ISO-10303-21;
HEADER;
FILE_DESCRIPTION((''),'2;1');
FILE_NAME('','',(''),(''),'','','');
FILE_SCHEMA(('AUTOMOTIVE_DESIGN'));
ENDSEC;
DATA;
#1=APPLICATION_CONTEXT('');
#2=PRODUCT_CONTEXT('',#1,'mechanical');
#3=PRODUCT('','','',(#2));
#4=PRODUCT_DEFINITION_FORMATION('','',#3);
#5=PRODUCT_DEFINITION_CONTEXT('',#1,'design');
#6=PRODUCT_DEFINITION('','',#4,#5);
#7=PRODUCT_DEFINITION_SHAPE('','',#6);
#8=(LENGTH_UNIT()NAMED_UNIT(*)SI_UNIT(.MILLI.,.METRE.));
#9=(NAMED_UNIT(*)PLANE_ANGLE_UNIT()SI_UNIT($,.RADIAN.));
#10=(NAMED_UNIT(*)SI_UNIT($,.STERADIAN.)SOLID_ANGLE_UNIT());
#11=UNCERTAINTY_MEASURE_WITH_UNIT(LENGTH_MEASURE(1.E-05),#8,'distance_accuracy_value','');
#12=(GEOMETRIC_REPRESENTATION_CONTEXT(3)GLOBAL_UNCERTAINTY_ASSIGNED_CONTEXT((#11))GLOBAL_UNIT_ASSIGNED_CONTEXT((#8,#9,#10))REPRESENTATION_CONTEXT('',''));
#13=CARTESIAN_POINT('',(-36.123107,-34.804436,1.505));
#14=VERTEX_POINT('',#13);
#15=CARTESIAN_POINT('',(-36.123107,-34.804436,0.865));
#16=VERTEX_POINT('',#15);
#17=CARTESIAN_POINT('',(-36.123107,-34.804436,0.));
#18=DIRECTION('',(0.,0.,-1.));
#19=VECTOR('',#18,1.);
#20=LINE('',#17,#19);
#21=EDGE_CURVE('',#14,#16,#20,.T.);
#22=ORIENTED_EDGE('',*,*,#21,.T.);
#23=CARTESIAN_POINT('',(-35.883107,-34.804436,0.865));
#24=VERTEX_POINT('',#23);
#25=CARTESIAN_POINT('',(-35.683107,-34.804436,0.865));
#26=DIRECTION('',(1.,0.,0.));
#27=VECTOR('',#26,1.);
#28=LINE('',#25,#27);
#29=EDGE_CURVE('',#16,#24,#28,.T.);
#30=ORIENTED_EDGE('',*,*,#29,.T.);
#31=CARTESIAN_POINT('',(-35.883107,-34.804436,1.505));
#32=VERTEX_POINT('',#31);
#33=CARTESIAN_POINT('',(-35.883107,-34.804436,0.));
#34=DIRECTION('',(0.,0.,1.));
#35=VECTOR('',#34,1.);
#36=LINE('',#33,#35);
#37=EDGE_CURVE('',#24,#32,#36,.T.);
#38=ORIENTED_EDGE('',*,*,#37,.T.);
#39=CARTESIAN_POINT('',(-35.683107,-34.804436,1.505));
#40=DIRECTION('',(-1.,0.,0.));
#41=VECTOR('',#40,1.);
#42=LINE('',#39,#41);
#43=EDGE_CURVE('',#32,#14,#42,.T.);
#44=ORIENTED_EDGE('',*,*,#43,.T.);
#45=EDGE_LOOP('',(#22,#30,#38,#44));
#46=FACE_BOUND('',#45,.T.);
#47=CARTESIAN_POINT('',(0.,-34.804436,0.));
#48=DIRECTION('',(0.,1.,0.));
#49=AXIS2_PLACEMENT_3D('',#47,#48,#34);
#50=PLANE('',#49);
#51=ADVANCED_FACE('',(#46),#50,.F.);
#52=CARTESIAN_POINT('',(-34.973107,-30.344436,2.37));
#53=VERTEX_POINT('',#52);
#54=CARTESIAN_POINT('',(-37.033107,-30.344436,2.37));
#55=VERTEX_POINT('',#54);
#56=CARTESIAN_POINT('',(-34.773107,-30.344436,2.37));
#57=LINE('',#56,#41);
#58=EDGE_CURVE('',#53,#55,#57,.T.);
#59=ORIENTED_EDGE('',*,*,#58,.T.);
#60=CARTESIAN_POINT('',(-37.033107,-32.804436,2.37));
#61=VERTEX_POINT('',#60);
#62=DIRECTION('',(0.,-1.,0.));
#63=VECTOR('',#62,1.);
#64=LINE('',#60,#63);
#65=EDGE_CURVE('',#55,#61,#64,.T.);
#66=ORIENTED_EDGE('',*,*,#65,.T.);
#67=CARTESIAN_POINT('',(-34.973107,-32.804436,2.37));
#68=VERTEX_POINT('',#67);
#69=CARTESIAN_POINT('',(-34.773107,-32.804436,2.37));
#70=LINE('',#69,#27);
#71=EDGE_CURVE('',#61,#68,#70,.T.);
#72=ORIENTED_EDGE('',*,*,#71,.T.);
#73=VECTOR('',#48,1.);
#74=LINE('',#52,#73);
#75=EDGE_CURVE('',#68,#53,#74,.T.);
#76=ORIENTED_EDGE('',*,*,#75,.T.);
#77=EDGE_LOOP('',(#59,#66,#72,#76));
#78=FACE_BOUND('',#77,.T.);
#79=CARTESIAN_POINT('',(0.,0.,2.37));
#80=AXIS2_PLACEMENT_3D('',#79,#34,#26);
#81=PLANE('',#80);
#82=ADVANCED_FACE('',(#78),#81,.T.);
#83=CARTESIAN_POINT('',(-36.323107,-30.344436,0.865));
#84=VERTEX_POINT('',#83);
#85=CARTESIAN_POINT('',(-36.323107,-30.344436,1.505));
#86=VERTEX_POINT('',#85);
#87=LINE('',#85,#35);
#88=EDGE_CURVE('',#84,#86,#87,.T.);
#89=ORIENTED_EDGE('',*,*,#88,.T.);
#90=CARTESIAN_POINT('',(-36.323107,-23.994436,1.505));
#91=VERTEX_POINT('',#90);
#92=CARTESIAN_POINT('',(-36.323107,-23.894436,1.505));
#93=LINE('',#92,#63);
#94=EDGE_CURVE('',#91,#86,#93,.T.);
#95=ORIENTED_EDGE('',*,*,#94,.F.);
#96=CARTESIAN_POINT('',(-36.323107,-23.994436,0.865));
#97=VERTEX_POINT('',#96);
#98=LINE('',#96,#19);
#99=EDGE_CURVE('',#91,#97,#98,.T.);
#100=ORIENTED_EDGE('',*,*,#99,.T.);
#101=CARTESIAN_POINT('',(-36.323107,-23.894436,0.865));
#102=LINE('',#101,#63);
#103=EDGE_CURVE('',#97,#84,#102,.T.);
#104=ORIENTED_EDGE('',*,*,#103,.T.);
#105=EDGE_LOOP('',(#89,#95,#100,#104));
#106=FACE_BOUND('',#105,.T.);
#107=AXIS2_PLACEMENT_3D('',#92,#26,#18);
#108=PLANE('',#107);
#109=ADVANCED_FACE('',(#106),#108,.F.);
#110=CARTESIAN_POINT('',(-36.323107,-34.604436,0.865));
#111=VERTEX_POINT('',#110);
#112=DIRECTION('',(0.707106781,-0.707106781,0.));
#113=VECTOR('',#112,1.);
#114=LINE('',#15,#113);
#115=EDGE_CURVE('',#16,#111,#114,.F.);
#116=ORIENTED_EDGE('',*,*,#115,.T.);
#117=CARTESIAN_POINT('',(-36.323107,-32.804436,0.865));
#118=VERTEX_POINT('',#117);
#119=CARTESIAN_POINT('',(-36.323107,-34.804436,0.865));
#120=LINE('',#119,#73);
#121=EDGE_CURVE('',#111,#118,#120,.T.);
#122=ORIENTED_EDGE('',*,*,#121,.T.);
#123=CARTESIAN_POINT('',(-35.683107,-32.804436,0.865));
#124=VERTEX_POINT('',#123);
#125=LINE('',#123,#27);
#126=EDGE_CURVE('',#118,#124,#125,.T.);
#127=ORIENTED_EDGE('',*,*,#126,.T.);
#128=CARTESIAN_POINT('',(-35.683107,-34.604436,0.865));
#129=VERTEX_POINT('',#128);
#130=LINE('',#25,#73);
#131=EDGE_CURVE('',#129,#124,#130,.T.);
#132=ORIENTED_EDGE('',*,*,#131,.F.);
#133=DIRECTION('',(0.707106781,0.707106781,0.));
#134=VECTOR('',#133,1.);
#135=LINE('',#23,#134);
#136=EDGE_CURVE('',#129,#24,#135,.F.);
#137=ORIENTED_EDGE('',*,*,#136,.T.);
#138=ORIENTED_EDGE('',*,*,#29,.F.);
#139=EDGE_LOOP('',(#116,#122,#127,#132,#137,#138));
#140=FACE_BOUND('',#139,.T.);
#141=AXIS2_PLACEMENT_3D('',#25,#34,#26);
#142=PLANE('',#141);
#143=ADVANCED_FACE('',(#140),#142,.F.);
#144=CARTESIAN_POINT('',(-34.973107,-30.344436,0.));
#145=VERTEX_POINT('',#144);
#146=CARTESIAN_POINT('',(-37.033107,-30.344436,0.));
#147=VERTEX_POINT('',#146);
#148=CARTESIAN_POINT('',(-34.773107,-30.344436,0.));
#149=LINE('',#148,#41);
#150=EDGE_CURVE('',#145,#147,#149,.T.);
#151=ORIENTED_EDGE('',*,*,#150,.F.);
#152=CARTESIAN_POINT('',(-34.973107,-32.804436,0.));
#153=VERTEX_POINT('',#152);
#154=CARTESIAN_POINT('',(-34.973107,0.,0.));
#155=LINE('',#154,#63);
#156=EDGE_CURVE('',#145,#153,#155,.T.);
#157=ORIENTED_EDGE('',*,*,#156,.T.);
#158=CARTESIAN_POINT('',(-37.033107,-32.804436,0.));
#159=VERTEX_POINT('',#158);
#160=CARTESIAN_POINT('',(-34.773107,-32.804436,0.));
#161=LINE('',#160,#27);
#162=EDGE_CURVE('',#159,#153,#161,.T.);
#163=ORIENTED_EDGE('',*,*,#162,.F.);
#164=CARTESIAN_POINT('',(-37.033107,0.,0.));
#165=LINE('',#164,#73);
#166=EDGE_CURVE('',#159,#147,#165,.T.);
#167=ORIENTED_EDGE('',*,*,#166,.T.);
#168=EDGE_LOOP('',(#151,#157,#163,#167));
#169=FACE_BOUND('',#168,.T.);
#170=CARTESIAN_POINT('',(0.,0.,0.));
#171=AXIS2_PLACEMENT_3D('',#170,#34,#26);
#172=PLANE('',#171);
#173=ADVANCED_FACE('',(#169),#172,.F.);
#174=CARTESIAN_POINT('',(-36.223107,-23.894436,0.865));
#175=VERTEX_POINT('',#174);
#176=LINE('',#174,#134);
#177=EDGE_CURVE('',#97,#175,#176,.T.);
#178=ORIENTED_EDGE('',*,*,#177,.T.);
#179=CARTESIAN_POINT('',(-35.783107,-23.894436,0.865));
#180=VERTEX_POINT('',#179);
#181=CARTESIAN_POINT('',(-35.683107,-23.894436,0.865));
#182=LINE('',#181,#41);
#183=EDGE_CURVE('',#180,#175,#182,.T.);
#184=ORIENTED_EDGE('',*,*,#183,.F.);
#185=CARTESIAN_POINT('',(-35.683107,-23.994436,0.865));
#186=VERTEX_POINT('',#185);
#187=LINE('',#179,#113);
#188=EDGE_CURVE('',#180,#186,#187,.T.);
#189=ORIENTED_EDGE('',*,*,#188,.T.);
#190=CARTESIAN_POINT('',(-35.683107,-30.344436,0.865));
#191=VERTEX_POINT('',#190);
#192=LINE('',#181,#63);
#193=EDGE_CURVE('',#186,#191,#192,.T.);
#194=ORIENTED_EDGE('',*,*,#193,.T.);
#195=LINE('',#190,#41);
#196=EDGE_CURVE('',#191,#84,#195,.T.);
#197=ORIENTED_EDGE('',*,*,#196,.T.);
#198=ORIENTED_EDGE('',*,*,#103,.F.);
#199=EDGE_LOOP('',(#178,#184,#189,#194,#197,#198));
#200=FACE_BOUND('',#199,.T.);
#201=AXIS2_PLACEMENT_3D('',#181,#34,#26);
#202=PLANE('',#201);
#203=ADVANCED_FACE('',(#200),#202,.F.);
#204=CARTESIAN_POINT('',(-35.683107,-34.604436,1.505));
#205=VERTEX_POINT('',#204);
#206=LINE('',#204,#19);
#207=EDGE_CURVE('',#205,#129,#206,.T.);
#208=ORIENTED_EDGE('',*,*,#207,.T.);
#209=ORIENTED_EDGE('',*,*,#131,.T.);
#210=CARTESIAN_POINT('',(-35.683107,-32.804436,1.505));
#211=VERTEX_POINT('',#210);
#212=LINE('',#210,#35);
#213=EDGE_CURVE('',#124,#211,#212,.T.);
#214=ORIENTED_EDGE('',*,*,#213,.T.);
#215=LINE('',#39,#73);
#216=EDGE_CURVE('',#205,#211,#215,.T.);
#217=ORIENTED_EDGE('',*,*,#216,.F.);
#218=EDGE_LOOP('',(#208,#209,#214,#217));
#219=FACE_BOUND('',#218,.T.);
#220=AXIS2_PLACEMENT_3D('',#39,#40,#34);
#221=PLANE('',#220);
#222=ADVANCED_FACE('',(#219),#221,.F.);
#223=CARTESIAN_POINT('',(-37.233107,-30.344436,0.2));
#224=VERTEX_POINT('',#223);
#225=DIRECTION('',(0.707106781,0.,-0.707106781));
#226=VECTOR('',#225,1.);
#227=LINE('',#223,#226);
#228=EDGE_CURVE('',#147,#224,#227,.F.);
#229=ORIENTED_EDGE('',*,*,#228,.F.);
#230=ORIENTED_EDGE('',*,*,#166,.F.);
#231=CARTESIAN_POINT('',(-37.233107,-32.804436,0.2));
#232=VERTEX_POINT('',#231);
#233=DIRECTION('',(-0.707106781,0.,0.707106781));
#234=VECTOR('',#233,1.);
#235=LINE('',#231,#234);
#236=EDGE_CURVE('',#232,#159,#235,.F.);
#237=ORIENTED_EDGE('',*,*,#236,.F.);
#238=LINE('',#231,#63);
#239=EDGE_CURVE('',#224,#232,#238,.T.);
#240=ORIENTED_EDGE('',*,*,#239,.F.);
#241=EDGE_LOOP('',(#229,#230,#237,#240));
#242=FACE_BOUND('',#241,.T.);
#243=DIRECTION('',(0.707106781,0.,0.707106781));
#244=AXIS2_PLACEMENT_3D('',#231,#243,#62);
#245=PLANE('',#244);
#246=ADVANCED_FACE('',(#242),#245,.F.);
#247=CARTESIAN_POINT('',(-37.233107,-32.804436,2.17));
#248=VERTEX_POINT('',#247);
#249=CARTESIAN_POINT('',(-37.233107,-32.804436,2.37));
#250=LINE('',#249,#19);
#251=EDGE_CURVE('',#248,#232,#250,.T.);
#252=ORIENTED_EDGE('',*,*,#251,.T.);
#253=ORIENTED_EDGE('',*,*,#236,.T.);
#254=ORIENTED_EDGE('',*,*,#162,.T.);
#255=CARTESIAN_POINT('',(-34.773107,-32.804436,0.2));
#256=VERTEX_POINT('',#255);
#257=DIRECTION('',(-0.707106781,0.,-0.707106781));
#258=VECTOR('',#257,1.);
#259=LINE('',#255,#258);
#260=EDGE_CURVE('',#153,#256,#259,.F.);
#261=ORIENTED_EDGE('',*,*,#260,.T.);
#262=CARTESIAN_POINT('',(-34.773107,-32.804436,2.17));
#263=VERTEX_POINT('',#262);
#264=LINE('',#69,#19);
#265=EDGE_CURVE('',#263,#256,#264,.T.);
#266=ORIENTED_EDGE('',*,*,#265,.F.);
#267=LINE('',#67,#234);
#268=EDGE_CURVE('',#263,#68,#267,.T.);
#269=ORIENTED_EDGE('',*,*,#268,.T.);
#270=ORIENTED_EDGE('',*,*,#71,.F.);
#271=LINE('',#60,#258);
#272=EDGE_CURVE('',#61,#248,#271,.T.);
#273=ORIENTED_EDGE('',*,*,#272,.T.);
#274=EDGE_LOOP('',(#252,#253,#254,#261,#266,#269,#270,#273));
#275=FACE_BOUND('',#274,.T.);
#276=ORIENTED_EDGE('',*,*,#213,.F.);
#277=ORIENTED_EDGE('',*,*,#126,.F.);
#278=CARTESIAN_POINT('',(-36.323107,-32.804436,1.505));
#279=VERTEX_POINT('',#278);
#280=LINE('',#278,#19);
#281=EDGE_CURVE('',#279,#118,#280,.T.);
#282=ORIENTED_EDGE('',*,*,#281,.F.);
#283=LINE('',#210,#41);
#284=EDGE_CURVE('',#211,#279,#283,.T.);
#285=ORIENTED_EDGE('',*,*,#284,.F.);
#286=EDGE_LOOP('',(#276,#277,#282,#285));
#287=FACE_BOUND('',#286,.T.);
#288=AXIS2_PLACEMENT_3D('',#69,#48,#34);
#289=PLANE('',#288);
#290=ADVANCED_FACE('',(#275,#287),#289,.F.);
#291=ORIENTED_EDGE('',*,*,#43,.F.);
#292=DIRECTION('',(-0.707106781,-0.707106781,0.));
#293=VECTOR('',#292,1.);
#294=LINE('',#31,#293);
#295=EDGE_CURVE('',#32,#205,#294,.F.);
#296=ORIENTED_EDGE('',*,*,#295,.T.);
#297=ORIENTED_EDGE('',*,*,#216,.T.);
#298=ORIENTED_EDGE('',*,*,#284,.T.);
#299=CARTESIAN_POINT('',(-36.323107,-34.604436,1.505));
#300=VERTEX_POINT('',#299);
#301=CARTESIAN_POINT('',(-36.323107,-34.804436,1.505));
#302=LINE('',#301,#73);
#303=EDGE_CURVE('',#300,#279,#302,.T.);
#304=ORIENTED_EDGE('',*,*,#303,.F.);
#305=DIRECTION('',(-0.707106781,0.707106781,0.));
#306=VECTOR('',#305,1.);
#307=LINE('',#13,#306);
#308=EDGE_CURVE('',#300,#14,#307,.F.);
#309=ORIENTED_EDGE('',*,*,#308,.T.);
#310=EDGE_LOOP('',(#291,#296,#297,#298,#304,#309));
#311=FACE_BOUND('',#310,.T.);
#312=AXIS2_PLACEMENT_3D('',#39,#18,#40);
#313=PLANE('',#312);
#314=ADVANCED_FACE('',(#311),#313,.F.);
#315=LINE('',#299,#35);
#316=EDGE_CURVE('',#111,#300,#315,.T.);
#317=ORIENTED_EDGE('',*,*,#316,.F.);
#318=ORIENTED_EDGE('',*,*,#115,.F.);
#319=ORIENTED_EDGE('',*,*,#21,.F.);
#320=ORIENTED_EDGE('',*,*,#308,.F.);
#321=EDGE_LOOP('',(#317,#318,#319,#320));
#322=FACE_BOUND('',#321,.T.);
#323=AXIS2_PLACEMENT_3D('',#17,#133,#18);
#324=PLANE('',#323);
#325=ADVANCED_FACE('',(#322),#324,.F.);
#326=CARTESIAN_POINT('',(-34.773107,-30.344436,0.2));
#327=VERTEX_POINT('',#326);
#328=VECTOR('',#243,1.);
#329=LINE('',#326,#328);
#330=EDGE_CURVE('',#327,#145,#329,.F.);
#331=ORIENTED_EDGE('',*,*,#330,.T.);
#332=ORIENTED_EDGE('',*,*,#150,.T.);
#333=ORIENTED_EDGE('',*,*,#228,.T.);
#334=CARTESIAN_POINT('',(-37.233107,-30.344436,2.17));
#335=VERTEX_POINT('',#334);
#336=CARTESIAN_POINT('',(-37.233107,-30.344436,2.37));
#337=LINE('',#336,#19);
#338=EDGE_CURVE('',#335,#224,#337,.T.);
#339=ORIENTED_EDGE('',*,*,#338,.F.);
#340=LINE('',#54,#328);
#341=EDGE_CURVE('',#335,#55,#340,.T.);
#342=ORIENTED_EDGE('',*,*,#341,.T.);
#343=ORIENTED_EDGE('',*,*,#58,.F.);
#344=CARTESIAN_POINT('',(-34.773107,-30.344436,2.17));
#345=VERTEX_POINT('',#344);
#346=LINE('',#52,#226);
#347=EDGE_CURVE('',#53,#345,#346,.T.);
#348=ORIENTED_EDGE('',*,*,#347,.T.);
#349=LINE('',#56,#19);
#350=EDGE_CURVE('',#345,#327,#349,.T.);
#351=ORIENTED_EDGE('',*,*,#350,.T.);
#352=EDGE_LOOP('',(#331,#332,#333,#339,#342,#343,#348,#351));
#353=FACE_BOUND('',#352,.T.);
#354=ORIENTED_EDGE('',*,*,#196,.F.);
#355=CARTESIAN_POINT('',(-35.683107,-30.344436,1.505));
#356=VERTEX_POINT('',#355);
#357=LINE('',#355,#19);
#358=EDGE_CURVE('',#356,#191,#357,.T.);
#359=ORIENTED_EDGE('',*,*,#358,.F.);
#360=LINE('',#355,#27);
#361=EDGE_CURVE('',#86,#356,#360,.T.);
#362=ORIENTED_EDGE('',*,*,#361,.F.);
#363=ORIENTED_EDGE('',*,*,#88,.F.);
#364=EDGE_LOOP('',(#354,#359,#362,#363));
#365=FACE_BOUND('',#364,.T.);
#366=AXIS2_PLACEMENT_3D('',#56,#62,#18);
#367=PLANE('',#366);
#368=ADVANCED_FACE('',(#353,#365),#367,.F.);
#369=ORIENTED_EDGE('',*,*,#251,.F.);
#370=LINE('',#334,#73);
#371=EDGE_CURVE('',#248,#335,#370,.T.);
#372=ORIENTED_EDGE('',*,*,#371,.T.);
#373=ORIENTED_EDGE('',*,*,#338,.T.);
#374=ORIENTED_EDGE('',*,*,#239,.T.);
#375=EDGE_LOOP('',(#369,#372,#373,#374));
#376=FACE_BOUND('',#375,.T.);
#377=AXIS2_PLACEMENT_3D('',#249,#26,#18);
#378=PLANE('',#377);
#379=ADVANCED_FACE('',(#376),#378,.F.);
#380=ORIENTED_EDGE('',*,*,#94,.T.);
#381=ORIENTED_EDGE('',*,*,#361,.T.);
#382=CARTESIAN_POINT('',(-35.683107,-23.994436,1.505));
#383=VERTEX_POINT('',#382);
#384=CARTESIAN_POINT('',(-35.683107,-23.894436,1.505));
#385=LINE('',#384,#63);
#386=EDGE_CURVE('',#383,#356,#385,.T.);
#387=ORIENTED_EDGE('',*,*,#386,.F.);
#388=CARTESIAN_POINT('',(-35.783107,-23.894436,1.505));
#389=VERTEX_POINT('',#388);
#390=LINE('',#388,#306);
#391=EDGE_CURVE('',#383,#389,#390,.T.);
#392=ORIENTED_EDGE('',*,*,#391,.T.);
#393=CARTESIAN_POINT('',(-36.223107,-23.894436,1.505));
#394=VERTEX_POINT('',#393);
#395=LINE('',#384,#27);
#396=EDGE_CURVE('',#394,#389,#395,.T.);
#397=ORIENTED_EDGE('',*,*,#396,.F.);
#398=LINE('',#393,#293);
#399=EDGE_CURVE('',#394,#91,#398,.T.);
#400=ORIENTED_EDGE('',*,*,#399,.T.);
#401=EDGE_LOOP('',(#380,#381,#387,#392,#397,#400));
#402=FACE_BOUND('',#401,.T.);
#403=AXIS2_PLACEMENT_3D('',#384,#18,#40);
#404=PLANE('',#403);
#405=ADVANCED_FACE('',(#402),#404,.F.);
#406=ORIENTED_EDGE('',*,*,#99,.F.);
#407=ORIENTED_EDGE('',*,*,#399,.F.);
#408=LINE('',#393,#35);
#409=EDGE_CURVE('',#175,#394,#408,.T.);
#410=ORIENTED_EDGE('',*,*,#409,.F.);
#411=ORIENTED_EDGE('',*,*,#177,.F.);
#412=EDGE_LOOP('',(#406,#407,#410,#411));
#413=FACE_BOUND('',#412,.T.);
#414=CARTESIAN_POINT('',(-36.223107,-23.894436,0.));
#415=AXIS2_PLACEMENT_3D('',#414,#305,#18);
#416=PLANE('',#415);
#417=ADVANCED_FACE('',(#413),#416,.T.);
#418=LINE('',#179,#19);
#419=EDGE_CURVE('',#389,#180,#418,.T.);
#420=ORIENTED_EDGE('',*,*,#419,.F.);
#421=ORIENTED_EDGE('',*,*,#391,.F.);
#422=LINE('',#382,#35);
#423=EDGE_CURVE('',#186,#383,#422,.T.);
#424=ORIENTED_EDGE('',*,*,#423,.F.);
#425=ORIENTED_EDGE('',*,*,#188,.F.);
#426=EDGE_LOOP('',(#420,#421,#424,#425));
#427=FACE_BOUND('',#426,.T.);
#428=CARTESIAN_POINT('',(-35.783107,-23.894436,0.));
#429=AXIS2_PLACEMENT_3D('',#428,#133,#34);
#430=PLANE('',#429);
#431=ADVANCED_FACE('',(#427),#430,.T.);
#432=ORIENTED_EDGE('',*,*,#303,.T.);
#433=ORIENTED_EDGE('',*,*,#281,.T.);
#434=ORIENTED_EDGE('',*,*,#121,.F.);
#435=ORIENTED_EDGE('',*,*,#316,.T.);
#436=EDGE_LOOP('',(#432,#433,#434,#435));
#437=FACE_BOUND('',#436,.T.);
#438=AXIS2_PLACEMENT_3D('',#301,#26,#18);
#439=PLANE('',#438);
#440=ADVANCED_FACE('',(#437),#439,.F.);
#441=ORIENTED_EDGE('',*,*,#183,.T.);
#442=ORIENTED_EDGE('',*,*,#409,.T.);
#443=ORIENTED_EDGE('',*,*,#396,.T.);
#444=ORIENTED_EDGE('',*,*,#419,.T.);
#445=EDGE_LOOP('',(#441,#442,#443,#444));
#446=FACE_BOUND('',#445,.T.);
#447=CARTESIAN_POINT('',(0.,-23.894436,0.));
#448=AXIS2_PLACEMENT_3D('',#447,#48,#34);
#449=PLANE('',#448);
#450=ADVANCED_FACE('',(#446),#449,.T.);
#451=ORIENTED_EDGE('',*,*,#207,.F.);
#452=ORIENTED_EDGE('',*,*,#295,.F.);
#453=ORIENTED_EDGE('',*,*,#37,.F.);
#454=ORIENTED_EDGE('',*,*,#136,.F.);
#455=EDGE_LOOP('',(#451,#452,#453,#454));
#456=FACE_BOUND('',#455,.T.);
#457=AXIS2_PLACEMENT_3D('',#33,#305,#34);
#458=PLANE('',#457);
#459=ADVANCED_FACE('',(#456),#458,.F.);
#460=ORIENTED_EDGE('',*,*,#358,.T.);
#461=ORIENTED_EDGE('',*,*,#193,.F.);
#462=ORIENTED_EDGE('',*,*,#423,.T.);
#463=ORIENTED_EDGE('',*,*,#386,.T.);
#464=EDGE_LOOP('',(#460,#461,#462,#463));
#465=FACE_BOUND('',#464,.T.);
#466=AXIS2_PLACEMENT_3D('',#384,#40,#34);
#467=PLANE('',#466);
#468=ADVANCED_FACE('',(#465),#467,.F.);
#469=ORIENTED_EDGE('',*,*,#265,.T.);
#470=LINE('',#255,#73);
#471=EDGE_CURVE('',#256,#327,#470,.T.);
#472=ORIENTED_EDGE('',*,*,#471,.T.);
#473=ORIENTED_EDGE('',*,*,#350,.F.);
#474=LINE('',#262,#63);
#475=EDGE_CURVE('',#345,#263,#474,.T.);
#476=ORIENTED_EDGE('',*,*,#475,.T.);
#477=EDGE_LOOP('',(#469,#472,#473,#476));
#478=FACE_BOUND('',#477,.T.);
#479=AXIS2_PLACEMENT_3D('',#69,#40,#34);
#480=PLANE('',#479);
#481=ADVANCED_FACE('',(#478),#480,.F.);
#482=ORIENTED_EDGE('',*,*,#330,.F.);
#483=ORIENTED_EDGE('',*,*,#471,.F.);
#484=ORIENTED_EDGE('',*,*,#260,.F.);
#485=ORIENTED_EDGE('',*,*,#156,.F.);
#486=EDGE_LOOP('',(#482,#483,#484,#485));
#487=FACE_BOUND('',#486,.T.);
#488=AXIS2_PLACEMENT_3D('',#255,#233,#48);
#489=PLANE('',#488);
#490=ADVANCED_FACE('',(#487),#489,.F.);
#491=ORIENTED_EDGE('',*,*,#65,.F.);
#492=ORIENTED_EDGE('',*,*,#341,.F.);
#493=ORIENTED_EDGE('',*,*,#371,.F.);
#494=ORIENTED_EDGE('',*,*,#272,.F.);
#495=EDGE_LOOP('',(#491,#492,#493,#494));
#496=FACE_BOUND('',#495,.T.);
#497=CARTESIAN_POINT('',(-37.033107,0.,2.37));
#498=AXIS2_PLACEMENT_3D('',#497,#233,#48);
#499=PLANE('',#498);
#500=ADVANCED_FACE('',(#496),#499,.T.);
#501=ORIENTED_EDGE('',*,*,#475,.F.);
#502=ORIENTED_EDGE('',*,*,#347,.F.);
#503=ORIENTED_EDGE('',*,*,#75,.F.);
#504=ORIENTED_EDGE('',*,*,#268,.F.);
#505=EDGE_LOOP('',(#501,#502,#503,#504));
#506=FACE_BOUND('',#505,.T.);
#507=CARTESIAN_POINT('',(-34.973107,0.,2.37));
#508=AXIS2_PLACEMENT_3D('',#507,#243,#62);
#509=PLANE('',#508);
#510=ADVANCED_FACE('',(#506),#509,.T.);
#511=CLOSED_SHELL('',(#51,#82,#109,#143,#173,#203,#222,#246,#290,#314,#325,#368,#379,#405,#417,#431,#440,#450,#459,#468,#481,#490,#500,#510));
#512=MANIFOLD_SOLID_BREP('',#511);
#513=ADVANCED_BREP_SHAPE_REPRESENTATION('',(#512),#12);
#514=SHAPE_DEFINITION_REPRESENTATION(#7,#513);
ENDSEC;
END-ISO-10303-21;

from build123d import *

# Parameters (mm, degrees)
CROQUIS1_W              = 2.46
CROQUIS1_H              = 2.46
SALIENTE_EXTRUIR1_DEPTH = 2.37
CROQUIS2_W              = 0.64
CROQUIS2_H              = 0.64
SALIENTE_EXTRUIR2_DEPTH = 6.45
CROQUIS3_W              = 0.64
CROQUIS3_H              = 0.64
SALIENTE_EXTRUIR3_DEPTH = 2
CHAFL_N1_SIZE           = 0.2
CHAFL_N2_SIZE           = 0.2
CHAFL_N3_SIZE           = 0.2
CHAFL_N4_SIZE           = 0.2
CHAFL_N5_SIZE           = 0.1
CHAFL_N6_SIZE           = 0.1
CHAFL_N7_SIZE           = 0.2
CHAFL_N8_SIZE           = 0.2


with BuildPart() as part:
    # Croquis1 → Saliente-Extruir1 (new body)
    with BuildSketch(Plane.XY):
        with Locations((-36.003107302, -31.574436279)):
            Rectangle(CROQUIS1_W, CROQUIS1_H)
    extrude(amount=SALIENTE_EXTRUIR1_DEPTH)

    # Croquis2 → Saliente-Extruir2 (add)
    with BuildSketch(Plane(origin=(0, -30.344436279, 0), x_dir=(1, 0, 0), z_dir=(0, 1, 0))):
        with Locations((-36.003107302, -1.185)):
            Rectangle(CROQUIS2_W, CROQUIS2_H)
    extrude(amount=SALIENTE_EXTRUIR2_DEPTH)

    # Croquis3 → Saliente-Extruir3 (add)
    with BuildSketch(Plane.XZ.offset(32.804436279)):
        with Locations((-36.003107302, 1.185)):
            Rectangle(CROQUIS3_W, CROQUIS3_H)
    extrude(amount=SALIENTE_EXTRUIR3_DEPTH)

    # Chaflán1
    chafl_n1_edges = [part.edges().sort_by_distance(p)[0] for p in [
        (-37.233107302, -31.574436279, 2.37),
    ]]
    chamfer(chafl_n1_edges, length=CHAFL_N1_SIZE)

    # Chaflán2
    chafl_n2_edges = [part.edges().sort_by_distance(p)[0] for p in [
        (-34.773107302, -31.574436279, 2.37),
    ]]
    chamfer(chafl_n2_edges, length=CHAFL_N2_SIZE)

    # Chaflán3
    chafl_n3_edges = [part.edges().sort_by_distance(p)[0] for p in [
        (-34.773107302, -31.574436279, 0),
    ]]
    chamfer(chafl_n3_edges, length=CHAFL_N3_SIZE)

    # Chaflán4
    chafl_n4_edges = [part.edges().sort_by_distance(p)[0] for p in [
        (-37.233107302, -31.574436279, 0),
    ]]
    chamfer(chafl_n4_edges, length=CHAFL_N4_SIZE)

    # Chaflán5
    chafl_n5_edges = [part.edges().sort_by_distance(p)[0] for p in [
        (-35.683107302, -23.894436279, 1.185),
    ]]
    chamfer(chafl_n5_edges, length=CHAFL_N5_SIZE)

    # Chaflán6
    chafl_n6_edges = [part.edges().sort_by_distance(p)[0] for p in [
        (-36.323107302, -23.894436279, 1.185),
    ]]
    chamfer(chafl_n6_edges, length=CHAFL_N6_SIZE)

    # Chaflán7
    chafl_n7_edges = [part.edges().sort_by_distance(p)[0] for p in [
        (-35.683107302, -34.804436279, 1.185),
    ]]
    chamfer(chafl_n7_edges, length=CHAFL_N7_SIZE)

    # Chaflán8
    chafl_n8_edges = [part.edges().sort_by_distance(p)[0] for p in [
        (-36.323107302, -34.804436279, 1.185),
    ]]
    chamfer(chafl_n8_edges, length=CHAFL_N8_SIZE)


solid = part.part
